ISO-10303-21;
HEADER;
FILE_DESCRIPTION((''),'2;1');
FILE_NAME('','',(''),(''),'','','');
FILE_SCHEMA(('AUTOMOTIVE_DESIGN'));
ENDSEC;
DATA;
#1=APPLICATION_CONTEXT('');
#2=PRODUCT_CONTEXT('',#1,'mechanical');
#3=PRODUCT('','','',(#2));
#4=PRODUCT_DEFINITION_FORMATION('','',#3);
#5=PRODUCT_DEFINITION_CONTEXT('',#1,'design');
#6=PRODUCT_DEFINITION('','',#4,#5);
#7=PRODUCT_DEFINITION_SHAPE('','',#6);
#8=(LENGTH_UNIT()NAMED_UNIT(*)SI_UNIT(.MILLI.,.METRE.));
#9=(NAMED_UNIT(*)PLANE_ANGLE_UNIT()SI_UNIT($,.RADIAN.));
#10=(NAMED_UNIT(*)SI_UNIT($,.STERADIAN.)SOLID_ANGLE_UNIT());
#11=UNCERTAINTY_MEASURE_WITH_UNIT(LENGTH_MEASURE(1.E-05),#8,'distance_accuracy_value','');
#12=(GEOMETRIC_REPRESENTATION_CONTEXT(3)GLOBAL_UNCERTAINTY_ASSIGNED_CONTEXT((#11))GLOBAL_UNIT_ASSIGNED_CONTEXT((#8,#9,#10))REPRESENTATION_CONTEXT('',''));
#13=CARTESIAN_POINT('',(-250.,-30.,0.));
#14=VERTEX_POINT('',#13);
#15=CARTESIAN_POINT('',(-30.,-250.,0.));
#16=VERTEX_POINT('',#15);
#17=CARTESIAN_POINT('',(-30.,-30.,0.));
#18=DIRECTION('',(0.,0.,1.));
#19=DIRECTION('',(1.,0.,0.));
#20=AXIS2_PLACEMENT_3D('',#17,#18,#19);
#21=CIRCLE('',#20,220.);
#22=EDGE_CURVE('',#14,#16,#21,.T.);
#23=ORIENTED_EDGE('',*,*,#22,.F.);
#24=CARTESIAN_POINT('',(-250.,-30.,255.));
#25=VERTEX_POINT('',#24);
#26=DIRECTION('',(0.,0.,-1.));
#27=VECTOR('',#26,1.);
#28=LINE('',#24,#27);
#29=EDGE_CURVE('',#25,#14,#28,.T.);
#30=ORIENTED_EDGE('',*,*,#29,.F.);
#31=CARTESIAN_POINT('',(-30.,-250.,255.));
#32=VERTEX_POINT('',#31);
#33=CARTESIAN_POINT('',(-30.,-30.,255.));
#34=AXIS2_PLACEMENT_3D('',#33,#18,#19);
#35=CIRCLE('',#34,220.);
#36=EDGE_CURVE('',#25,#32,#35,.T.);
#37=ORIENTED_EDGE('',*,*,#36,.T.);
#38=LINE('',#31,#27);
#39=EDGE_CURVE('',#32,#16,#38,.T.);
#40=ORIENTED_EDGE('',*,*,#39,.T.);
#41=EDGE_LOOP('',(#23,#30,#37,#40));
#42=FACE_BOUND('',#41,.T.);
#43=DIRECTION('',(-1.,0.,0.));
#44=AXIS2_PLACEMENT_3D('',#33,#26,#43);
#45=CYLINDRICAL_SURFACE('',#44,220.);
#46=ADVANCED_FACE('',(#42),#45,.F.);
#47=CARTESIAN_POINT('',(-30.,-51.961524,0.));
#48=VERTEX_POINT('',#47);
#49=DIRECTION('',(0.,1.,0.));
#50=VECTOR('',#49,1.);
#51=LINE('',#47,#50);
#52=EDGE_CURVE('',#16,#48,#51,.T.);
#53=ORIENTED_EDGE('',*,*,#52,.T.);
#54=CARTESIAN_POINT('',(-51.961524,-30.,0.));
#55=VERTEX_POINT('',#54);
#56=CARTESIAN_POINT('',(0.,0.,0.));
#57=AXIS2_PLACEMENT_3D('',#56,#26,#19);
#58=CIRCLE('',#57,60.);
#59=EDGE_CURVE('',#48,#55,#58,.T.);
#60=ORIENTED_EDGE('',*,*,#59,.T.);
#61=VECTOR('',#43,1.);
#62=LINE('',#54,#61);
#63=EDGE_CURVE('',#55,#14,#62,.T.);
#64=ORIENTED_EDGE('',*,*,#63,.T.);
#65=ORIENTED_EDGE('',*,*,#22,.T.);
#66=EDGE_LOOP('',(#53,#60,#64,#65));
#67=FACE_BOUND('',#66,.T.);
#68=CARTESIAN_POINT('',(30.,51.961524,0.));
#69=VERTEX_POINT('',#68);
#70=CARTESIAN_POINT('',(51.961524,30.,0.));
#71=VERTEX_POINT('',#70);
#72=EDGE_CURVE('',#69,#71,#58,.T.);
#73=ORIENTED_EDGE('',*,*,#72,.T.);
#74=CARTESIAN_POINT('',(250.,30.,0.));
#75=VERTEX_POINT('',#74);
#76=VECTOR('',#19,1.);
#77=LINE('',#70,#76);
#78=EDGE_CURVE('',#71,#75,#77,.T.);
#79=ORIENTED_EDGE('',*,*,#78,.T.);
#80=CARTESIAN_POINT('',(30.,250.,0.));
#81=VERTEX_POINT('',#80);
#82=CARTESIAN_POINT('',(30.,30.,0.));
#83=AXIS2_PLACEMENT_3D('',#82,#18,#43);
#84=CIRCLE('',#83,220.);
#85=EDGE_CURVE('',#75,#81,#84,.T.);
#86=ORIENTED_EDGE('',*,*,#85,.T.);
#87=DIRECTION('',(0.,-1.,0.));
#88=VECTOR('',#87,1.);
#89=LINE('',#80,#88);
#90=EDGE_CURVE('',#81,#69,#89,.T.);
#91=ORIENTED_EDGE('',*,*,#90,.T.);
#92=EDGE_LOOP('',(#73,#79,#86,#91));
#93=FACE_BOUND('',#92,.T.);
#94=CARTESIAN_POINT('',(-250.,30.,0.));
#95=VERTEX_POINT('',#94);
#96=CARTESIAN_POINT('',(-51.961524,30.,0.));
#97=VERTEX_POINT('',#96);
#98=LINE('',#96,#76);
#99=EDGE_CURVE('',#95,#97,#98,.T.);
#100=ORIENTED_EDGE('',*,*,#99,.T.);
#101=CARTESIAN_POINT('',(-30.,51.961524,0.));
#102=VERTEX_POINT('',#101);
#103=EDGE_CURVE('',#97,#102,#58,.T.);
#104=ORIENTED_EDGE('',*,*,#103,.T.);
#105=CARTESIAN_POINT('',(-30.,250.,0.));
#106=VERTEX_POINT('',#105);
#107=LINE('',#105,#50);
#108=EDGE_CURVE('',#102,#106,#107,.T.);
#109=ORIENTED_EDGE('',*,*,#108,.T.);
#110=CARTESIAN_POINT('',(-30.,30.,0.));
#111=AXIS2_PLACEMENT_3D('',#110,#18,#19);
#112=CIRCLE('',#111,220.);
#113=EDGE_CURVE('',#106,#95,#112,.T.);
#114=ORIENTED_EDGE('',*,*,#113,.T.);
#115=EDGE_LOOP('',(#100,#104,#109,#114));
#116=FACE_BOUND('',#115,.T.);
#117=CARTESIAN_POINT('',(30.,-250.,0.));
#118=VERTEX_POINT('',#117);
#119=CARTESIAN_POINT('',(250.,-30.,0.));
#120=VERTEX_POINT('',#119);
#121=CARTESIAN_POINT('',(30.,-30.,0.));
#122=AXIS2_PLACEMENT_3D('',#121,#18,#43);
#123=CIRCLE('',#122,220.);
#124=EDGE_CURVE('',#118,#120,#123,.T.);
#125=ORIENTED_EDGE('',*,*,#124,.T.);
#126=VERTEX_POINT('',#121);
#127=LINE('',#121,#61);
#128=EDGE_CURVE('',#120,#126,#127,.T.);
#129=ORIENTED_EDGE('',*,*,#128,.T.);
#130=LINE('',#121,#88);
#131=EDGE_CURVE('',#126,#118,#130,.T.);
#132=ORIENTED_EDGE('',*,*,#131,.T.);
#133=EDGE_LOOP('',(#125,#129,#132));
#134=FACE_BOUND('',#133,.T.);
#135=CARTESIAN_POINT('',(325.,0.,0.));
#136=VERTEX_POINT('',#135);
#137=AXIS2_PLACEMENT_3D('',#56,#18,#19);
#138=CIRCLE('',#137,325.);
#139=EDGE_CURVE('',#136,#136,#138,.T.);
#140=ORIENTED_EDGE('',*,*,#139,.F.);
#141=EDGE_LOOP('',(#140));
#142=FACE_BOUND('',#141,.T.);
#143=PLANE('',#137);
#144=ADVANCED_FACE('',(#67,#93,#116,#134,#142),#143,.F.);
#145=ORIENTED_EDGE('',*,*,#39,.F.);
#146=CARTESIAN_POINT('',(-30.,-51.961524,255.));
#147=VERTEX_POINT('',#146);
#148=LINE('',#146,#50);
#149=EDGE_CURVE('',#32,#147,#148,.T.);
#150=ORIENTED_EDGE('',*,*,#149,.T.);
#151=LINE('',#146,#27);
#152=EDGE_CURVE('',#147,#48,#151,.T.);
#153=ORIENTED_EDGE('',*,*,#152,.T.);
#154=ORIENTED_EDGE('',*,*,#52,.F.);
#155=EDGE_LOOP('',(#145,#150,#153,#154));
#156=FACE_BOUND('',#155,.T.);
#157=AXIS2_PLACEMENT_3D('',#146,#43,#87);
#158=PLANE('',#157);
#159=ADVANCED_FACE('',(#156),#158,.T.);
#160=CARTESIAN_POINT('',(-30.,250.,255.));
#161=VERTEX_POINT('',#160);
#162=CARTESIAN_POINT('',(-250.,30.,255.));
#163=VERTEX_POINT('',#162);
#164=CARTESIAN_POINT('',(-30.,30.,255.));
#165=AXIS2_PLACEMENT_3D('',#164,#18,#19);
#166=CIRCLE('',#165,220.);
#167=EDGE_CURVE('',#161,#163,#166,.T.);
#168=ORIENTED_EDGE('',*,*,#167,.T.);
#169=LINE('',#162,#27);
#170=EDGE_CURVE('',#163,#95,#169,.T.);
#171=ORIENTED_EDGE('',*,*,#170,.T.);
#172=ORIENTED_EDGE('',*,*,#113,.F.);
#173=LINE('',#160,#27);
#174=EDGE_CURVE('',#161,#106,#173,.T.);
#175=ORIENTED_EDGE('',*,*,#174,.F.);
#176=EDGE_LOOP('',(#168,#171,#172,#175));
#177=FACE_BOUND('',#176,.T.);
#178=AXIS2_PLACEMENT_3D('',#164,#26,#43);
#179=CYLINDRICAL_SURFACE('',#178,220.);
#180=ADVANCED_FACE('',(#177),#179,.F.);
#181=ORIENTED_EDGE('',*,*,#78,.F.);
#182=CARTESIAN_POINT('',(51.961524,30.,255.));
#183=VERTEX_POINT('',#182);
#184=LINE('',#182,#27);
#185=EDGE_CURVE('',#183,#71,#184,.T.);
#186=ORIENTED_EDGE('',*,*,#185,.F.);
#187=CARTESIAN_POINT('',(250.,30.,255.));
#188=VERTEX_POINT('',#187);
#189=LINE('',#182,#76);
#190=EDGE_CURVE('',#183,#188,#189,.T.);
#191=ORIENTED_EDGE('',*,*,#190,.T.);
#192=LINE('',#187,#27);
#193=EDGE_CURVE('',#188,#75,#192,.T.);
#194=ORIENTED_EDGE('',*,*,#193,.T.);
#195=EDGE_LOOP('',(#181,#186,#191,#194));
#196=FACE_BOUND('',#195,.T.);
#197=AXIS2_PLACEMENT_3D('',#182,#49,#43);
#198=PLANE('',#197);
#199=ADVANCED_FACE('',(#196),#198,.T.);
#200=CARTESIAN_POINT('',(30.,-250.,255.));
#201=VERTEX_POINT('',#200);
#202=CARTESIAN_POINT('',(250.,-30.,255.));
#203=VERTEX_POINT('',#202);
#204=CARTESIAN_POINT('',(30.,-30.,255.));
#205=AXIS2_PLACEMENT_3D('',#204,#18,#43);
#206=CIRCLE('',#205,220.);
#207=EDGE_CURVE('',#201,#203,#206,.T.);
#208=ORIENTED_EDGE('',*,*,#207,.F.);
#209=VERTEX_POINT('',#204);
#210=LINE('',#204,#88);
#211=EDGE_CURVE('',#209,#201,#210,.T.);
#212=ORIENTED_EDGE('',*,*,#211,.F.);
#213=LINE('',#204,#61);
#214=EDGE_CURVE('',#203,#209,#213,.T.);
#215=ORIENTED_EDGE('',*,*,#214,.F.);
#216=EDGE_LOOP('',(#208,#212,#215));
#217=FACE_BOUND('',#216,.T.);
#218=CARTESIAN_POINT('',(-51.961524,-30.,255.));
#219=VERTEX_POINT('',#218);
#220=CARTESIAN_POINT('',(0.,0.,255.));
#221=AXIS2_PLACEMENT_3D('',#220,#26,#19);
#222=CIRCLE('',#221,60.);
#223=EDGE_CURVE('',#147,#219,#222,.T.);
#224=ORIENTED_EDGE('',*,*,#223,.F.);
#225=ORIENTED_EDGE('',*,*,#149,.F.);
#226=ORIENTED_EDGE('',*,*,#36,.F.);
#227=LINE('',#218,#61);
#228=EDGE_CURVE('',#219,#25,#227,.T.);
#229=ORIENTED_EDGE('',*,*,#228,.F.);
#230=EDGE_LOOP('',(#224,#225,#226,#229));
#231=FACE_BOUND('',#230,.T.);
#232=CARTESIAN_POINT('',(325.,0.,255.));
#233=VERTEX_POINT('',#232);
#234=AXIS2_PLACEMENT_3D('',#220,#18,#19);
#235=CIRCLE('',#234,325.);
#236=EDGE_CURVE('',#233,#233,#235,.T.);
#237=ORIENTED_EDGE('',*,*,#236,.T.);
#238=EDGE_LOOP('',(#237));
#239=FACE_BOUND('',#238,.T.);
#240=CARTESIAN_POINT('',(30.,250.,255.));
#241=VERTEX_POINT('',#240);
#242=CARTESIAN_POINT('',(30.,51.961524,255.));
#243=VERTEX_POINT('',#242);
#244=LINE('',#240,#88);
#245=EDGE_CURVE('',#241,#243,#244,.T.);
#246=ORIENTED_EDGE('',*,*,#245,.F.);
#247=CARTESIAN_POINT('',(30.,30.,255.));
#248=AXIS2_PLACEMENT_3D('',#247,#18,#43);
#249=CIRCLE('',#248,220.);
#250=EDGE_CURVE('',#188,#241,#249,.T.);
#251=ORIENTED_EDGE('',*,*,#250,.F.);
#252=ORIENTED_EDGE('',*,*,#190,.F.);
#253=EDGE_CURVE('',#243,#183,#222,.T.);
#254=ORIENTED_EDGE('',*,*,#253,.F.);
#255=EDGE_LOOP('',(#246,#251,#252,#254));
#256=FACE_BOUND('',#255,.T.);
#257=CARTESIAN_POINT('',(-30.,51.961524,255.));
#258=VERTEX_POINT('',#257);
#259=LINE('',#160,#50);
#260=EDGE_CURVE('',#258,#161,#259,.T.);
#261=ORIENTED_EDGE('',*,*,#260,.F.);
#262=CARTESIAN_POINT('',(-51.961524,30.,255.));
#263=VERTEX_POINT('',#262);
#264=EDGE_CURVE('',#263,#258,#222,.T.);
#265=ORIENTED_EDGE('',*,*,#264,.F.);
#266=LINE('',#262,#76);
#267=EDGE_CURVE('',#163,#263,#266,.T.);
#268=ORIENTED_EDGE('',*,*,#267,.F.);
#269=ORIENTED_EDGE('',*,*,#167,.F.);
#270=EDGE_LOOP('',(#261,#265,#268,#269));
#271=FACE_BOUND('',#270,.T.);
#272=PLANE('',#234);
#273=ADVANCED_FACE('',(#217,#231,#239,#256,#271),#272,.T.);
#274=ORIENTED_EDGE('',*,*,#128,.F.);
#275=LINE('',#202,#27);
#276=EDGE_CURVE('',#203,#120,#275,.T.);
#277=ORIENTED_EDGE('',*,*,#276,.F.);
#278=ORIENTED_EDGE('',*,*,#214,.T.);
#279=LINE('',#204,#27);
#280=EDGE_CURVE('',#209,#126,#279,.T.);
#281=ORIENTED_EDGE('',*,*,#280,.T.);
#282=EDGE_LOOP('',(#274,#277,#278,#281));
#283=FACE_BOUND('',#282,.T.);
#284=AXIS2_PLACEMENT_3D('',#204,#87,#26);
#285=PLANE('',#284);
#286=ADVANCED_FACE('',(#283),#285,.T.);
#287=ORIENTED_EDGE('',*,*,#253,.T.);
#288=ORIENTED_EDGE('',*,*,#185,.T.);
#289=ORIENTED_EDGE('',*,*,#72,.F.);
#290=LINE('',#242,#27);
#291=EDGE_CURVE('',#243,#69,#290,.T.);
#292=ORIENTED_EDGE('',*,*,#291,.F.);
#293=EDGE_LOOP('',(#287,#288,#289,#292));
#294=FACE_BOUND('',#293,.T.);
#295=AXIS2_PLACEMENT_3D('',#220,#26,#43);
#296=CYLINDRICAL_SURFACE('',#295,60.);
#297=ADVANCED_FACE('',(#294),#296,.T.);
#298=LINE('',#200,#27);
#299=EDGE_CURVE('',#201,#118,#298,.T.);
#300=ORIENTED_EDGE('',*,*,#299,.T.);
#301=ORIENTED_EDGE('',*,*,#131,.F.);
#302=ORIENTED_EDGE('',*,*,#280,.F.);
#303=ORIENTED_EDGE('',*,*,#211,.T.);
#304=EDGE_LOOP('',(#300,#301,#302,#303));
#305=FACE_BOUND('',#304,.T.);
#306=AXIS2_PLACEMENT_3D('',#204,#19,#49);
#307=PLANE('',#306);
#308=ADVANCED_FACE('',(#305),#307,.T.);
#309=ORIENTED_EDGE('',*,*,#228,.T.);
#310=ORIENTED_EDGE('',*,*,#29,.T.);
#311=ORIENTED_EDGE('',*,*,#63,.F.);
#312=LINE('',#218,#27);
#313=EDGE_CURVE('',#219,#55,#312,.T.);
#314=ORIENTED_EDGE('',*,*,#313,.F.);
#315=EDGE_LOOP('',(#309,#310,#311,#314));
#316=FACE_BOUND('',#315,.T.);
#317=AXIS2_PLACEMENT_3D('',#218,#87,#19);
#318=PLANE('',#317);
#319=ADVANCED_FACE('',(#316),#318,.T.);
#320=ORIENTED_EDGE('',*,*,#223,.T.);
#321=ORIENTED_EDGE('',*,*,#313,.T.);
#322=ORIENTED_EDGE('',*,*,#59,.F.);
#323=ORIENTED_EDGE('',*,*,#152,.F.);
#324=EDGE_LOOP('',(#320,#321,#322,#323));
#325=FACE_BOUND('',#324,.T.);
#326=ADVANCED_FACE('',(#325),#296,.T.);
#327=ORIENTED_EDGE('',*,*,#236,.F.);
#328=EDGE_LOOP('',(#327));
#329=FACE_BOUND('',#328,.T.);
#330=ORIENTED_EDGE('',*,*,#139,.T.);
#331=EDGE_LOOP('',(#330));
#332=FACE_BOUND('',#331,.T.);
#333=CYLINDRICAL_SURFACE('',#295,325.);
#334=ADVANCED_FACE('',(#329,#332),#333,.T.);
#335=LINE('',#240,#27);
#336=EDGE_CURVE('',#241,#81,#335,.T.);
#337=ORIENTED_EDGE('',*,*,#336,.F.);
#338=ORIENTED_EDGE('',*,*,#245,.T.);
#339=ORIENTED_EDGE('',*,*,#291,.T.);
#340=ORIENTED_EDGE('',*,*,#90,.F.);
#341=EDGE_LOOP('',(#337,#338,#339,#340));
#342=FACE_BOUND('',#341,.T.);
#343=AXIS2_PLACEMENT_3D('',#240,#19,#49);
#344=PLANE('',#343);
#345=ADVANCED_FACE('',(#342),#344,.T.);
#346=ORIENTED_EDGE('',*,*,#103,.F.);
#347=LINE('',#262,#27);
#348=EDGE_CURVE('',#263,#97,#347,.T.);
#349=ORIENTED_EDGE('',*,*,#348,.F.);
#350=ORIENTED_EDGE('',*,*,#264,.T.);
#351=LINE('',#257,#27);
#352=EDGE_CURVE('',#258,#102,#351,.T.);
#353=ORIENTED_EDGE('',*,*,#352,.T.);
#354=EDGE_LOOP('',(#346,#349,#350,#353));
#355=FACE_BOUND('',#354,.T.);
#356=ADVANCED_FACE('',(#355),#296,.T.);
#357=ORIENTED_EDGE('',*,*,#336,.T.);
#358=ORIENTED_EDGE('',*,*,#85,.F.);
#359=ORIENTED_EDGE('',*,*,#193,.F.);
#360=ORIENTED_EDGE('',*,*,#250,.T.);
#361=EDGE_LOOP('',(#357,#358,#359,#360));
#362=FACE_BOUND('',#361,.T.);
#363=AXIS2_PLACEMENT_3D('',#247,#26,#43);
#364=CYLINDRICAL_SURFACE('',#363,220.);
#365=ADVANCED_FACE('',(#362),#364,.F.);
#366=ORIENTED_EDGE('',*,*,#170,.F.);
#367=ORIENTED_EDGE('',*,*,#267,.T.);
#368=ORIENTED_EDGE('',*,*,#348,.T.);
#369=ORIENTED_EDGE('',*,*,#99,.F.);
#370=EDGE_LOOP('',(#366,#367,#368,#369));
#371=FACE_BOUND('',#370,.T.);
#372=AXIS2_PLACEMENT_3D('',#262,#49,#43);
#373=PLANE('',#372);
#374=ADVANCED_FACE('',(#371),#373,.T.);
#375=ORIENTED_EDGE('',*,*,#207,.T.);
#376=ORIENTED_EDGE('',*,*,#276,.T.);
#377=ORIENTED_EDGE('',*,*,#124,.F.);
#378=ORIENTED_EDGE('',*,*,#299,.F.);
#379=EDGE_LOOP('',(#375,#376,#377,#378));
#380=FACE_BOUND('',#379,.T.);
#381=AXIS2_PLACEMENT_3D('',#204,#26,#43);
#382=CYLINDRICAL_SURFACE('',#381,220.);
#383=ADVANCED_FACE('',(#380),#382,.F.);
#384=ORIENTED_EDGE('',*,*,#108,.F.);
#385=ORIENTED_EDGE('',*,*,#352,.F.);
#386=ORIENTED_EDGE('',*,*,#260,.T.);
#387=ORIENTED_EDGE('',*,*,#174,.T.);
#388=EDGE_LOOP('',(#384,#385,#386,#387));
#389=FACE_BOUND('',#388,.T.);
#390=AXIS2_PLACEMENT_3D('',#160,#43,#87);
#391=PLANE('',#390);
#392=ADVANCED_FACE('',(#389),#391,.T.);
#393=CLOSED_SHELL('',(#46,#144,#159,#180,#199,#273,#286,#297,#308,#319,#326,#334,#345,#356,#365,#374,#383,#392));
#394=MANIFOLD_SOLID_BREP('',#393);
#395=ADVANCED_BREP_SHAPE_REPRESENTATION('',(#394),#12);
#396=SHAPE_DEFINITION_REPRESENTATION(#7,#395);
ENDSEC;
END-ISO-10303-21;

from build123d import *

# Parameters (mm, degrees)
SKETCH_1_R          = 325
EXTRUDE_1_DEPTH     = 255
CUT_EXTRUDE_2_DEPTH = 255
CUT_EXTRUDE_3_DEPTH = 255
CUT_EXTRUDE_5_DEPTH = 255
CUT_EXTRUDE_6_DEPTH = 255


with BuildPart() as part:
    # 草图1 → 凸台-拉伸1 (new body)
    with BuildSketch(Plane.XY):
        Circle(SKETCH_1_R)
    extrude(amount=EXTRUDE_1_DEPTH)

    # 草图2 → 切除-拉伸2 (cut)
    with BuildSketch(Plane.XY):
        with BuildLine():
            Line((51.961524227, 30), (250, 30))
            ThreePointArc((250, 30), (185.563491861, 185.563491861), (30, 250))
            Line((30, 250), (30, 51.961524227))
            ThreePointArc((30, 51.961524227), (42.426406871, 42.426406871), (51.961524227, 30))
        make_face()
    extrude(amount=CUT_EXTRUDE_2_DEPTH, mode=Mode.SUBTRACT)

    # 草图3 → 切除-拉伸3 (cut)
    with BuildSketch(Plane.XY):
        with BuildLine():
            Line((-30, 250), (-30, 51.961524227))
            ThreePointArc((-30, 51.961524227), (-42.426406871, 42.426406871), (-51.961524227, 30))
            Line((-51.961524227, 30), (-250, 30))
            ThreePointArc((-250, 30), (-185.563491861, 185.563491861), (-30, 250))
        make_face()
    extrude(amount=CUT_EXTRUDE_3_DEPTH, mode=Mode.SUBTRACT)

    # 草图7 → 切除-拉伸5 (cut)
    with BuildSketch(Plane.XY):
        with BuildLine():
            Line((-30, -51.961524227), (-30, -250))
            ThreePointArc((-30, -250), (-185.563491861, -185.563491861), (-250, -30))
            Line((-250, -30), (-51.961524227, -30))
            ThreePointArc((-51.961524227, -30), (-42.426406871, -42.426406871), (-30, -51.961524227))
        make_face()
    extrude(amount=CUT_EXTRUDE_5_DEPTH, mode=Mode.SUBTRACT)

    # 草图8 → 切除-拉伸6 (cut)
    with BuildSketch(Plane.XY):
        with BuildLine():
            Line((30, -30), (30, -250))
            ThreePointArc((30, -250), (185.563491861, -185.563491861), (250, -30))
            Line((250, -30), (30, -30))
        make_face()
    extrude(amount=CUT_EXTRUDE_6_DEPTH, mode=Mode.SUBTRACT)


solid = part.part
